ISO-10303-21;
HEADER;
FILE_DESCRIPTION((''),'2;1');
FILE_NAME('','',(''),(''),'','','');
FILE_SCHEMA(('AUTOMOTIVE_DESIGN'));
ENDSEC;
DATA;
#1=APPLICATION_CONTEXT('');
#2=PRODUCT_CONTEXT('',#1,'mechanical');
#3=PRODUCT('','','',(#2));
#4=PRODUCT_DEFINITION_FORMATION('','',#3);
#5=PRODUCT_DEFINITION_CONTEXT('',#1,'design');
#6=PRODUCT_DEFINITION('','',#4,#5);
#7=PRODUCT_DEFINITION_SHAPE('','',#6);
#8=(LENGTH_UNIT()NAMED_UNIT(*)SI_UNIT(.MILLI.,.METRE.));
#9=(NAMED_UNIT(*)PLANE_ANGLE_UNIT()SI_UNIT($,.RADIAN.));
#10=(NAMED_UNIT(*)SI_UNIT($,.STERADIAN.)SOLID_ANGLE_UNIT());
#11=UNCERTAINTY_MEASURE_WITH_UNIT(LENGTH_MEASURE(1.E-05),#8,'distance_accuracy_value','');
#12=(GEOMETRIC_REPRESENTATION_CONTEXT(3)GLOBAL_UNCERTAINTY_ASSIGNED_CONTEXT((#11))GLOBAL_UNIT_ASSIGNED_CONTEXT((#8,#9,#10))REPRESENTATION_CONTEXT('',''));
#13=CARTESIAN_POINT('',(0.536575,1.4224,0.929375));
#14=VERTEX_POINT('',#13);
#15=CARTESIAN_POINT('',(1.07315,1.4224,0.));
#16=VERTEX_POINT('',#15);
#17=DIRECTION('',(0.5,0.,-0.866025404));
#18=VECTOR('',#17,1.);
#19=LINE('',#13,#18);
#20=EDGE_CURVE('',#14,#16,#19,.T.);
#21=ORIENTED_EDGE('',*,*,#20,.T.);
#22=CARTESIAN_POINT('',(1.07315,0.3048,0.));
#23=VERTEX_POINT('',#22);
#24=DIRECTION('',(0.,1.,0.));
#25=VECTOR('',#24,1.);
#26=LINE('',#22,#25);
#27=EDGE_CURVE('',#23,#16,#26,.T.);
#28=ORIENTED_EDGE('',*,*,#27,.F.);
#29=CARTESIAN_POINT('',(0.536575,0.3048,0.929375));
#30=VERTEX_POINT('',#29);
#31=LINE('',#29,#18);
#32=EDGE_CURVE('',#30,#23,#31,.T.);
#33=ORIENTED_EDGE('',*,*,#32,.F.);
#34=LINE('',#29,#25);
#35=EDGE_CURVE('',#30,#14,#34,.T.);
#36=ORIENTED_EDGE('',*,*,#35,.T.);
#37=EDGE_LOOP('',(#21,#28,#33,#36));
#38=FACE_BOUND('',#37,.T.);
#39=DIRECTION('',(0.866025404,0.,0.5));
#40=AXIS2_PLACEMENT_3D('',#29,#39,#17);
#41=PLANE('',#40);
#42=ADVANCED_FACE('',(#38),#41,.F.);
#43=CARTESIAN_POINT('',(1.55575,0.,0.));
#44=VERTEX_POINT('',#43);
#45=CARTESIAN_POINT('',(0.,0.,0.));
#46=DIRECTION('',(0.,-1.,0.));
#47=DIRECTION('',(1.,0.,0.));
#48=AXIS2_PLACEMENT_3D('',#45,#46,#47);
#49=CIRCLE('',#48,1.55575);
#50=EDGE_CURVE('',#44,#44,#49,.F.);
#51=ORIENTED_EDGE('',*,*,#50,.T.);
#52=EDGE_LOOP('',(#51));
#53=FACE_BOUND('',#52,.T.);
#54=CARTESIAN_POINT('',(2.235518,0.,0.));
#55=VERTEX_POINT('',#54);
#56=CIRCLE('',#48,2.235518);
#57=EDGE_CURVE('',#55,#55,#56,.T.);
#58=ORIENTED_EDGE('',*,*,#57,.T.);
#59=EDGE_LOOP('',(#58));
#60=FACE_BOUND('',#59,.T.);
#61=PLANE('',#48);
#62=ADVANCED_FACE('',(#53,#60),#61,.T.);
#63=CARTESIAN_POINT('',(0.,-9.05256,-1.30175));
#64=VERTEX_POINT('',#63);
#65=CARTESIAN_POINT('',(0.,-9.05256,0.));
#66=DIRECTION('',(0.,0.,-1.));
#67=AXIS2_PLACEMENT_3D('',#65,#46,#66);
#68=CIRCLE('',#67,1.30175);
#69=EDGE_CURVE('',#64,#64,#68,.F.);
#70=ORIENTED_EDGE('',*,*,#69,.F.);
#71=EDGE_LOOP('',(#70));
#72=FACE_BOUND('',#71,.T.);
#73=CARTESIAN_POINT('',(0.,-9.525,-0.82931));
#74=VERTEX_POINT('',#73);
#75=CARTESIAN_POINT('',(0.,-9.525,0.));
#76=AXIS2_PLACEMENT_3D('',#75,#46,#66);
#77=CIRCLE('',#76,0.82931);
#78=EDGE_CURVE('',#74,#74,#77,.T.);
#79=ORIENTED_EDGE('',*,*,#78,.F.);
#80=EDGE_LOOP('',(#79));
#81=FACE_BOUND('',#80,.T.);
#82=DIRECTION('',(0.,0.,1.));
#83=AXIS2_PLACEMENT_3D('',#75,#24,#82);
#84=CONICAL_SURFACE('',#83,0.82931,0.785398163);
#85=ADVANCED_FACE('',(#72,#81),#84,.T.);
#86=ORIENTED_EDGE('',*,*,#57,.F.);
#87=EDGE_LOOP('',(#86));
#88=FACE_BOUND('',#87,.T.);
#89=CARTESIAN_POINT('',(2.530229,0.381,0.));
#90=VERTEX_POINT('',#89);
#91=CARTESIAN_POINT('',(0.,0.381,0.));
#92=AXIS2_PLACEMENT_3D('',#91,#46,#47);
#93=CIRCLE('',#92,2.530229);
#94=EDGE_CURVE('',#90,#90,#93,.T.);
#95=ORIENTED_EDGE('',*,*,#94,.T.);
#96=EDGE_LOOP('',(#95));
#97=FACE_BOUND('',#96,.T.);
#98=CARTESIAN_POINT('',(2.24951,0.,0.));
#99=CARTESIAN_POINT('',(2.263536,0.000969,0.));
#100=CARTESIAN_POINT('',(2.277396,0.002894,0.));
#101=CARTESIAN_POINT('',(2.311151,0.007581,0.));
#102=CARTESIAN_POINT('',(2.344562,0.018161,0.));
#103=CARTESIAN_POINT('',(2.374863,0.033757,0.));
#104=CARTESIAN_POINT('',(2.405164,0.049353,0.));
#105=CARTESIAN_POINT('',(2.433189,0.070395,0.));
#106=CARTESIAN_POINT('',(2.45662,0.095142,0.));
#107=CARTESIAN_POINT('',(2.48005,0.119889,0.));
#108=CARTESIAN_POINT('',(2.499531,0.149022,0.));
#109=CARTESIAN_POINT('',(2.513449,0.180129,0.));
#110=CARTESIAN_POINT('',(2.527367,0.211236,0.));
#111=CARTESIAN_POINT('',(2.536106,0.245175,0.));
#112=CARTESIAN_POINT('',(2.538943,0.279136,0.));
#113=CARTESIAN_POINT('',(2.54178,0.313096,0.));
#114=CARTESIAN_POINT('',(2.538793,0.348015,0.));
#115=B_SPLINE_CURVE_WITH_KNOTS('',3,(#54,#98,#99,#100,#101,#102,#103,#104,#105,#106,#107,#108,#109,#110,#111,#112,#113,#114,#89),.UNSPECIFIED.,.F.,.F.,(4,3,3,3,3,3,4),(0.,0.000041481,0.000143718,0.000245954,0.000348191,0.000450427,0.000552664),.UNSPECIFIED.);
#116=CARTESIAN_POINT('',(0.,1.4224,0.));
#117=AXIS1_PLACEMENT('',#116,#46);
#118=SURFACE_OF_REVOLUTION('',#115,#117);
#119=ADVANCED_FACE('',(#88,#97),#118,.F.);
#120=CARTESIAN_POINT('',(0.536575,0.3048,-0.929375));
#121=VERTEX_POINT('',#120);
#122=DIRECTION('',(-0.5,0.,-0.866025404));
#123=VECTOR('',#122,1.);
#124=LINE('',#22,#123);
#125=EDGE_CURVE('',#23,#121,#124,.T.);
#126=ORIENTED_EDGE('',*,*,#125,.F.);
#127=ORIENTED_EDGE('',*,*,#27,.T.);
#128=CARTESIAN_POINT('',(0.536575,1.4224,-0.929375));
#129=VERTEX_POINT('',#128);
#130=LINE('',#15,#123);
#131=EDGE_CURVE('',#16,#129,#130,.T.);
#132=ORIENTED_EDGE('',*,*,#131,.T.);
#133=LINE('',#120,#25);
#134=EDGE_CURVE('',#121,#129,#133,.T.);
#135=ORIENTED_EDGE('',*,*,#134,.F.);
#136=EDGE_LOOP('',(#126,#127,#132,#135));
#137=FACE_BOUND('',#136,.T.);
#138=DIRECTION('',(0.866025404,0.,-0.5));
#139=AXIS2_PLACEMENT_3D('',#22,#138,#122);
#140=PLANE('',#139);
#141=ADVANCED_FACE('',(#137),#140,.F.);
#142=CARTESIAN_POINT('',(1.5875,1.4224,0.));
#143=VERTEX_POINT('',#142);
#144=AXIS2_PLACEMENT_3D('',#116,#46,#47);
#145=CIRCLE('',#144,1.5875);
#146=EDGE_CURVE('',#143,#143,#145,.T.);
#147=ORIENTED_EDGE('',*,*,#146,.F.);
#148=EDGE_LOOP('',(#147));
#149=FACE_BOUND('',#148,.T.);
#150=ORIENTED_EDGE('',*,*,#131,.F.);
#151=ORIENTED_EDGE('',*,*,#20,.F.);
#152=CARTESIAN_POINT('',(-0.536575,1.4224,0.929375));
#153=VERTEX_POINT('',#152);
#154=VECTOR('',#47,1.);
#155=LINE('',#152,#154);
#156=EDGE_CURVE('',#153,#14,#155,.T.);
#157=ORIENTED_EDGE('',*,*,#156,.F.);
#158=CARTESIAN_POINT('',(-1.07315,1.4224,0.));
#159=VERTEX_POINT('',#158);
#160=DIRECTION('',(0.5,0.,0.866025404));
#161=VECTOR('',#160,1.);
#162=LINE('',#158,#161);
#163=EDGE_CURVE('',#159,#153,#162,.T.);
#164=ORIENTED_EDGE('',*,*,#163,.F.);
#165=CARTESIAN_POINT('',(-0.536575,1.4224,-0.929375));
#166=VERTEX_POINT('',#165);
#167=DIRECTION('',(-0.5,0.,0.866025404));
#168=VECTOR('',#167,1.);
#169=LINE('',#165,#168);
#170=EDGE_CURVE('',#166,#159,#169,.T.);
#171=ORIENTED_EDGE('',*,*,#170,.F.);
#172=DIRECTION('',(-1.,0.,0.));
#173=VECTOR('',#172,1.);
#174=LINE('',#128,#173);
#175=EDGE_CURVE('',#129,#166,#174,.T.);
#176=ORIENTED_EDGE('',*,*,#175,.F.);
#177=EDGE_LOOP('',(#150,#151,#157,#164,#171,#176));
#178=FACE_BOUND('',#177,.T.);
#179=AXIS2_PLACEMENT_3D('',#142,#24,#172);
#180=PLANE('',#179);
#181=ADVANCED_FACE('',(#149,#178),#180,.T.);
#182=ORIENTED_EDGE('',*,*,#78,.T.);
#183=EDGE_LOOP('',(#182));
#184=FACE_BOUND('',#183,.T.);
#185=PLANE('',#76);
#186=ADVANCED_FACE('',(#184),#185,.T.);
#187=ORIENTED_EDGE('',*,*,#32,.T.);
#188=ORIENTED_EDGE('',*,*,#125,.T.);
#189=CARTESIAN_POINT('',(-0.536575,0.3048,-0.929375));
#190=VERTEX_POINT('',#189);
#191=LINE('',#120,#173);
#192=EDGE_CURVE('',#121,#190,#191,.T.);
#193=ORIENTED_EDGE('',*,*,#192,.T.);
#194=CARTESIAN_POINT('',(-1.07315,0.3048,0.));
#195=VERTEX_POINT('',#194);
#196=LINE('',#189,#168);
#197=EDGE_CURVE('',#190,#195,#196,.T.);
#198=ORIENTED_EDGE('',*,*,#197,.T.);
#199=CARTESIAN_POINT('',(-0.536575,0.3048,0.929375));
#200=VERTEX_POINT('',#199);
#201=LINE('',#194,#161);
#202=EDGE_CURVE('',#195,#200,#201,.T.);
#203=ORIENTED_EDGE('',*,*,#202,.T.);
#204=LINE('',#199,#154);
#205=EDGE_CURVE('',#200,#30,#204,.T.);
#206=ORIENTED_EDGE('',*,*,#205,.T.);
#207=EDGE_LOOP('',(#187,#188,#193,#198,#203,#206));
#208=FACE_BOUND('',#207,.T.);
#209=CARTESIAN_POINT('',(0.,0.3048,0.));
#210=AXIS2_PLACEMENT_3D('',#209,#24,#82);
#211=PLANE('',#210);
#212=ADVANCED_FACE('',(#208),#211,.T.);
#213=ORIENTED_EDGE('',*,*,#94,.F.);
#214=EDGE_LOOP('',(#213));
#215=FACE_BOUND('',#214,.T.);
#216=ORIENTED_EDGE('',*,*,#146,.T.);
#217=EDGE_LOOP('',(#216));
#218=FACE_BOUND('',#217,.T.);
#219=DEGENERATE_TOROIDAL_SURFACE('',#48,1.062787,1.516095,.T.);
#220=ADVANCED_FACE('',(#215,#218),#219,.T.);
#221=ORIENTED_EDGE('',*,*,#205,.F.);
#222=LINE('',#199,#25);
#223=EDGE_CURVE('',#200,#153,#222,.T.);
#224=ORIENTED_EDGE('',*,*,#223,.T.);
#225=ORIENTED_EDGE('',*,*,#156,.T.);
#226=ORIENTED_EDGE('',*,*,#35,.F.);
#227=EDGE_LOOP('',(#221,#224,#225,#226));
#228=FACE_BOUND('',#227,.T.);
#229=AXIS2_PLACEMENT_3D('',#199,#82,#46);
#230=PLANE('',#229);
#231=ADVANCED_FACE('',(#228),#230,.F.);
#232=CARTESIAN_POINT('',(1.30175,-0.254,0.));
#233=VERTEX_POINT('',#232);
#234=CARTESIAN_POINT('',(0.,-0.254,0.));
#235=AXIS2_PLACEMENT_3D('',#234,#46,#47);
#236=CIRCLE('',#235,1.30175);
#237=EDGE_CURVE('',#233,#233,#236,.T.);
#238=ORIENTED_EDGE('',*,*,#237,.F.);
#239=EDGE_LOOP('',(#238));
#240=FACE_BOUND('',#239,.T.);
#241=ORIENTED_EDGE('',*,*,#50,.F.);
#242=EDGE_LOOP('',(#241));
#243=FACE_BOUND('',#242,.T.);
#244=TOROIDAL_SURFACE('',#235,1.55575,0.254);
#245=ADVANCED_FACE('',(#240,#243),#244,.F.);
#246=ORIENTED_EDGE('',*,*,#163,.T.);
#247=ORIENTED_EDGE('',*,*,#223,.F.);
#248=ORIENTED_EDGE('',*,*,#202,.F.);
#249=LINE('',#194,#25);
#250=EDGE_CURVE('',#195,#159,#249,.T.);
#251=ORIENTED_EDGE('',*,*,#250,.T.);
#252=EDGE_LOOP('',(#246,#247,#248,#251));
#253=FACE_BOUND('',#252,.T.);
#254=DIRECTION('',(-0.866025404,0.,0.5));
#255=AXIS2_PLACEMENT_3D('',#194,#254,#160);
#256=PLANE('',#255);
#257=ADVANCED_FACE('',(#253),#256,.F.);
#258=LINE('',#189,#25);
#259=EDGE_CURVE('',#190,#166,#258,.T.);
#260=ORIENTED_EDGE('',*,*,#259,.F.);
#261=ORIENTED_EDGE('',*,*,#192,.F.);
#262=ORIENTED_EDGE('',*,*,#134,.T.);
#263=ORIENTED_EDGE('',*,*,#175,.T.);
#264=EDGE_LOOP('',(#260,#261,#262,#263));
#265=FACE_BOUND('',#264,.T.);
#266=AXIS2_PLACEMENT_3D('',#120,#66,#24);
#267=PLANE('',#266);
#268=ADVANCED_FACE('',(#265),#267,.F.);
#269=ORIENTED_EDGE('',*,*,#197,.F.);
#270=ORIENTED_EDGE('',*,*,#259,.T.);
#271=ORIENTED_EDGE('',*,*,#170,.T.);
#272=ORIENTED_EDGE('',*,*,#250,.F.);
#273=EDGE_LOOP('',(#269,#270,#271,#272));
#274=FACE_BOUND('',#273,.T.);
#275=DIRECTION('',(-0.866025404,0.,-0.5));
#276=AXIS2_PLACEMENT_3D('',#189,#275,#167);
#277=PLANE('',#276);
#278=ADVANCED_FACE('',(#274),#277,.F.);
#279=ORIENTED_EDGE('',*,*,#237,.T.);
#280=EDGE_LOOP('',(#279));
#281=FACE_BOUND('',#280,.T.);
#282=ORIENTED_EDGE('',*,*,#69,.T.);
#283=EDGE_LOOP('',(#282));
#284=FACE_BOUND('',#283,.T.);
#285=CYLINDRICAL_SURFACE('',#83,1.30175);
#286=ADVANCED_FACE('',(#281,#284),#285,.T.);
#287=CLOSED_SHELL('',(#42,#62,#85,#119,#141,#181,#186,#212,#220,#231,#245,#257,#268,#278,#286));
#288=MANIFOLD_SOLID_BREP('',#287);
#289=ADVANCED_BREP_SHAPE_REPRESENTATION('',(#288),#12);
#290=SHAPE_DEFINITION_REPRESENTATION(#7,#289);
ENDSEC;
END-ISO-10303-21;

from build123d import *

# Parameters (mm, degrees)
SKETCH2_R           = 1.30175
BOSS_EXTRUDE1_DEPTH = 9.525
CUT_EXTRUDE1_DEPTH  = 1.1176
CHAMFER1_SIZE       = 0.47244
FILLET1_R           = 0.254


with BuildPart() as part:
    # Sketch1 → Revolve1 (revolve)
    with BuildSketch(Plane.XY):
        with BuildLine():
            Line((1.5875, 1.4224), (0, 1.4224))
            Line((0, 1.4224), (0, 0))
            Line((0, 0), (2.235517502, 0))
            add(Edge.make_bspline(
                [(2.530228655, 0.381), (2.538792783, 0.348014811), (2.541780076, 0.313096126), (2.538943152, 0.279135577), (2.536106229, 0.245175028), (2.527366844, 0.211235941), (2.513448709, 0.180128827), (2.499530575, 0.149021713), (2.480049812, 0.119888598), (2.456619631, 0.09514201), (2.433189451, 0.070395421), (2.405163618, 0.049352817), (2.374862966, 0.033756745), (2.344562313, 0.018160672), (2.311151111, 0.007580973), (2.277396156, 0.002893755), (2.263536304, 0.000969174), (2.249510339, 0), (2.235517502, 0)],
                knots=[0, 0, 0, 0, 0.000102237, 0.000102237, 0.000102237, 0.000204473, 0.000204473, 0.000204473, 0.00030671, 0.00030671, 0.00030671, 0.000408946, 0.000408946, 0.000408946, 0.000511183, 0.000511183, 0.000511183, 0.000552664, 0.000552664, 0.000552664, 0.000552664], degree=3))
            ThreePointArc((2.530228655, 0.381), (2.18675257, 1.017470992), (1.5875, 1.4224))
        make_face()
    revolve(axis=Axis((0, 1.4224, 0), (0, -1, 0)))

    # Sketch2 → Boss-Extrude1 (add)
    with BuildSketch(Plane.XZ):
        Circle(SKETCH2_R)
    extrude(amount=BOSS_EXTRUDE1_DEPTH)

    # Sketch3 → Cut-Extrude1 (cut)
    with BuildSketch(Plane(origin=(0, 1.4224, 0), x_dir=(-1, 0, 0), z_dir=(0, 1, 0))):
        Polygon((0.536575, -0.929375162), (1.07315, 0), (0.536575, 0.929375162), (-0.536575, 0.929375162), (-1.07315, 0), (-0.536575, -0.929375162), align=None)
    extrude(amount=-CUT_EXTRUDE1_DEPTH, mode=Mode.SUBTRACT)

    # Chamfer1
    chamfer1_edges = [part.edges().sort_by_distance(p)[0] for p in [
        (-1.30175, -9.525, 0),
    ]]
    chamfer(chamfer1_edges, length=CHAMFER1_SIZE)

    # Fillet1
    fillet1_edges = [part.edges().sort_by_distance(p)[0] for p in [
        (-1.30175, 0, 0),
    ]]
    fillet(fillet1_edges, radius=FILLET1_R)


solid = part.part
